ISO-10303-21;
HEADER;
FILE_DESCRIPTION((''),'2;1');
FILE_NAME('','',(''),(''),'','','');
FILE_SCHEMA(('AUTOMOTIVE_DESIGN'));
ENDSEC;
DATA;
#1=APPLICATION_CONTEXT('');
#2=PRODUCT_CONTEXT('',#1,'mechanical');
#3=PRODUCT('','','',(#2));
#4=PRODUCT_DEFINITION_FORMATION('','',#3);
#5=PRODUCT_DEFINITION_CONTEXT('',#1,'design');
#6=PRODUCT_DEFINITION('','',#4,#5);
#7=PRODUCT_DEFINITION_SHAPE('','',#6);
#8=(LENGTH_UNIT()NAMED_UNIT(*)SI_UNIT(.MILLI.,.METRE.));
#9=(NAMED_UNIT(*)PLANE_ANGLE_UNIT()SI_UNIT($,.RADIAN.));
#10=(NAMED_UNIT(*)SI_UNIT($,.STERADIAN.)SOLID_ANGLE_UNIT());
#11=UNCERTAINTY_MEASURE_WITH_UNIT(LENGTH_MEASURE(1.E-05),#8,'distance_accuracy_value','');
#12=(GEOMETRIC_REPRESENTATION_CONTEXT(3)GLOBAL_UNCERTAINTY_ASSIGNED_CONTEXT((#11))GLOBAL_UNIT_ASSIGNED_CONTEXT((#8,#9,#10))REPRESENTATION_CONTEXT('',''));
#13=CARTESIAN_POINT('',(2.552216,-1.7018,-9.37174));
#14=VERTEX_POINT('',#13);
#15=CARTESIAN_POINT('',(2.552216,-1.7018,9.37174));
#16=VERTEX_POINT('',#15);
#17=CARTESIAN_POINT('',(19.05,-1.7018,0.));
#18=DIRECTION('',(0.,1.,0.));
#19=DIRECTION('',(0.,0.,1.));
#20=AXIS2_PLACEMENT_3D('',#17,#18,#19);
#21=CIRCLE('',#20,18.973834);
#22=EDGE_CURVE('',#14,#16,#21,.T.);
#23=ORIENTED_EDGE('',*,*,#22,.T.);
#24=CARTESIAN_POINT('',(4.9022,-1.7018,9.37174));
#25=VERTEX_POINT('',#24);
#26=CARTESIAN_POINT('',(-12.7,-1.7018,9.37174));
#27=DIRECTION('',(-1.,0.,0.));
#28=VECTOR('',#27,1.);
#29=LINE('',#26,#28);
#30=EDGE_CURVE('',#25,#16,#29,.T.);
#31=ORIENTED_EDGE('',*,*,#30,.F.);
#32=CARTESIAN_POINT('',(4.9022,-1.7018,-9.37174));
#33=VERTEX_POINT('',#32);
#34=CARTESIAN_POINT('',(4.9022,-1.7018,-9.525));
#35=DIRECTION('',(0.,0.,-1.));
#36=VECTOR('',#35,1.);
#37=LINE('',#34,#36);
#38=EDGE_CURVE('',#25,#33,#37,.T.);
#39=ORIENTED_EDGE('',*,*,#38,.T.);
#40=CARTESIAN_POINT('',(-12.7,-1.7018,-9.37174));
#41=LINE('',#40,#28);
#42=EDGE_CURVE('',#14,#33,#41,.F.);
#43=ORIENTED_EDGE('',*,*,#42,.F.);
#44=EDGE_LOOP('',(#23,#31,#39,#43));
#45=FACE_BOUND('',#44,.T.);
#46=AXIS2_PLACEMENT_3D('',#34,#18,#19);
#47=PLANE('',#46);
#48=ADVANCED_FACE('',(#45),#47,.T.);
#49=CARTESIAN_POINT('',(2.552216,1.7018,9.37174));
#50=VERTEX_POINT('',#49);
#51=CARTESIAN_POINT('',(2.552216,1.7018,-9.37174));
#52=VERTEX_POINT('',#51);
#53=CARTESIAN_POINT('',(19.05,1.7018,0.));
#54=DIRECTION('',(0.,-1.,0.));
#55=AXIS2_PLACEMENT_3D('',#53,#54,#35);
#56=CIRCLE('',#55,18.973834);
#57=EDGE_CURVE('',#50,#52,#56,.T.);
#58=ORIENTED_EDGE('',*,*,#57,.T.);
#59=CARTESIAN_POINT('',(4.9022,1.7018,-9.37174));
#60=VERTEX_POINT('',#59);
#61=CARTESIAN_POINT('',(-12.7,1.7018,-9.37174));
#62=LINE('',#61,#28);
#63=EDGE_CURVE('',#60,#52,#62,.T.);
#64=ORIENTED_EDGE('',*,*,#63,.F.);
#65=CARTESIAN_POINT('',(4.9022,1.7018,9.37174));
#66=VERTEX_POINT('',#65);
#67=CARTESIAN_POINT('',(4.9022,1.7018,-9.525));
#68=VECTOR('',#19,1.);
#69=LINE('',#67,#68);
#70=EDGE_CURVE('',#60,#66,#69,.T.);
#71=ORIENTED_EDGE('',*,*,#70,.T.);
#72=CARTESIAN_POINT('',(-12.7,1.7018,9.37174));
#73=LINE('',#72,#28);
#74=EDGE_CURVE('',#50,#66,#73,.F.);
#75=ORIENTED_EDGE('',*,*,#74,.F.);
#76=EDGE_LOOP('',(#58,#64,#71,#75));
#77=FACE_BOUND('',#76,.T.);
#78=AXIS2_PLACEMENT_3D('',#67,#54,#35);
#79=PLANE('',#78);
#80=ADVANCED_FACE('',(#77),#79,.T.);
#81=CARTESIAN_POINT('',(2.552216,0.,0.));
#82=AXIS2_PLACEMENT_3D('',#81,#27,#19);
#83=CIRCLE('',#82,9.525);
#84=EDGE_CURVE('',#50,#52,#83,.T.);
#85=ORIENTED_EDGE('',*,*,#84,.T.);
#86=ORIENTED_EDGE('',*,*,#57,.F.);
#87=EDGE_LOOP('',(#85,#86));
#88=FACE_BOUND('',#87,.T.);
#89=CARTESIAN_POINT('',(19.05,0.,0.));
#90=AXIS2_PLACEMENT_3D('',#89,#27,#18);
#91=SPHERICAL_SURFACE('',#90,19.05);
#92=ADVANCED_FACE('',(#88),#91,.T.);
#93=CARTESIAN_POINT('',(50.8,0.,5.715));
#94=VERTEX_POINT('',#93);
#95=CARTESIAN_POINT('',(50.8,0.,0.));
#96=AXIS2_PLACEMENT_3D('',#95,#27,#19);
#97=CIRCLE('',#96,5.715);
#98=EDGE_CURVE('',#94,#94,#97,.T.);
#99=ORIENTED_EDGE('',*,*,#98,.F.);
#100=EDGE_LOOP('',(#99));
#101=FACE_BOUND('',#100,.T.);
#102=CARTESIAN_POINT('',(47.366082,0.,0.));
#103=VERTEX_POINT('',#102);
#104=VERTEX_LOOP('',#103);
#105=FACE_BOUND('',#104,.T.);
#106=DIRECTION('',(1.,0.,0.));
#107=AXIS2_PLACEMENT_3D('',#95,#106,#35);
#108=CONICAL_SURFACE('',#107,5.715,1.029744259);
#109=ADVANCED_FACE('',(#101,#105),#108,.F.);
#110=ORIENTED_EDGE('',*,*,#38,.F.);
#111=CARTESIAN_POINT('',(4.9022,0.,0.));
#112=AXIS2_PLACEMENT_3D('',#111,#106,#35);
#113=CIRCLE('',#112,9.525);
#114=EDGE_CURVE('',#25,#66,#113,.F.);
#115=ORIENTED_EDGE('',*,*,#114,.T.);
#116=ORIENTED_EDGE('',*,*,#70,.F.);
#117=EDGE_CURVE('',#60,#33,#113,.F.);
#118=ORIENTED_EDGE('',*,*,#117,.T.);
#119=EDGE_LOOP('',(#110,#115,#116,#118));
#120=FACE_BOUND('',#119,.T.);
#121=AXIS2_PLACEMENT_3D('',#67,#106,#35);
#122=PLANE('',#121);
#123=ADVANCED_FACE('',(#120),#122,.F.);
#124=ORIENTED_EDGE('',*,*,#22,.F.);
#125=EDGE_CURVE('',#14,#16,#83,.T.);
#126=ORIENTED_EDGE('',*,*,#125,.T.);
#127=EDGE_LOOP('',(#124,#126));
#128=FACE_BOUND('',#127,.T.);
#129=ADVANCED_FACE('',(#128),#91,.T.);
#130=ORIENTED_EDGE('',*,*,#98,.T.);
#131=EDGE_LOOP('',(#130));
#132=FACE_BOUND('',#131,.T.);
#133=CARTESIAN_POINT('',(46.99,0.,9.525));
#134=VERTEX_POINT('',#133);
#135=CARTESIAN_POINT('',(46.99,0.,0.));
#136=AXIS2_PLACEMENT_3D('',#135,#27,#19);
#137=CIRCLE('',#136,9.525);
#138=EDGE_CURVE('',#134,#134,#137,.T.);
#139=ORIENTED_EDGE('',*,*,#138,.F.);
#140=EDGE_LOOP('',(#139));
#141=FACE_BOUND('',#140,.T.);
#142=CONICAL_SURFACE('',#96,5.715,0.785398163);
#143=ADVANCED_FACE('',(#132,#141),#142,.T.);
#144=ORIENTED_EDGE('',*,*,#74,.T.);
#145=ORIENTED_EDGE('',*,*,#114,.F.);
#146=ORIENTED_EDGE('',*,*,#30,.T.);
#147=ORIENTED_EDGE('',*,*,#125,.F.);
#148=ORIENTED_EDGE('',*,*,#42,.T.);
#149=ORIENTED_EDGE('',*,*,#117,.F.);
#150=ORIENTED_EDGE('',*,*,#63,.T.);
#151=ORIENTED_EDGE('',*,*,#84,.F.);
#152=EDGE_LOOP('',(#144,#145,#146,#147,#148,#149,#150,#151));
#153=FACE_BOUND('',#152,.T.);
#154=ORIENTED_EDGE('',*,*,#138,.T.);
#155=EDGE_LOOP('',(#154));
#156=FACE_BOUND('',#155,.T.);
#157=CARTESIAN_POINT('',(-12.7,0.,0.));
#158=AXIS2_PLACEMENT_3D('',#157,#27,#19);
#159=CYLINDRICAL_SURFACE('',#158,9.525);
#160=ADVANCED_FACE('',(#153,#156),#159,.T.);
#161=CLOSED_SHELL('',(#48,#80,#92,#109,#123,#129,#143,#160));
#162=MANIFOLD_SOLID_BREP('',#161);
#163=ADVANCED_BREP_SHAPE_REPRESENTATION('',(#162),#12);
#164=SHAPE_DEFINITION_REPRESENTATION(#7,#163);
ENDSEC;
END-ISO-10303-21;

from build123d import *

# Parameters (mm, degrees)
SKETCH2_W  = 19.05
SKETCH2_H  = 3.4036
SLOT_DEPTH = 4.9022


with BuildPart() as part:
    # BodySke → BaseBody (revolve)
    with BuildSketch(Plane.XY):
        with BuildLine():
            Line((2.552216058, 9.525), (46.99, 9.525))
            Line((46.99, 9.525), (50.8, 5.715))
            Line((50.8, 5.715), (47.366081562, 0))
            Line((47.366081562, 0), (0, 0))
            ThreePointArc((0, 0), (0.649113009, 4.930502809), (2.552216058, 9.525))
        make_face()
    revolve(axis=Axis((-12.7, 0, 0), (1, 0, 0)))

    # Sketch2 → Slot (cut)
    with BuildSketch(Plane(origin=(0, 0, 0), x_dir=(0, 0, -1), z_dir=(1, 0, 0))):
        Rectangle(SKETCH2_W, SKETCH2_H)
    extrude(amount=SLOT_DEPTH, mode=Mode.SUBTRACT)


solid = part.part
